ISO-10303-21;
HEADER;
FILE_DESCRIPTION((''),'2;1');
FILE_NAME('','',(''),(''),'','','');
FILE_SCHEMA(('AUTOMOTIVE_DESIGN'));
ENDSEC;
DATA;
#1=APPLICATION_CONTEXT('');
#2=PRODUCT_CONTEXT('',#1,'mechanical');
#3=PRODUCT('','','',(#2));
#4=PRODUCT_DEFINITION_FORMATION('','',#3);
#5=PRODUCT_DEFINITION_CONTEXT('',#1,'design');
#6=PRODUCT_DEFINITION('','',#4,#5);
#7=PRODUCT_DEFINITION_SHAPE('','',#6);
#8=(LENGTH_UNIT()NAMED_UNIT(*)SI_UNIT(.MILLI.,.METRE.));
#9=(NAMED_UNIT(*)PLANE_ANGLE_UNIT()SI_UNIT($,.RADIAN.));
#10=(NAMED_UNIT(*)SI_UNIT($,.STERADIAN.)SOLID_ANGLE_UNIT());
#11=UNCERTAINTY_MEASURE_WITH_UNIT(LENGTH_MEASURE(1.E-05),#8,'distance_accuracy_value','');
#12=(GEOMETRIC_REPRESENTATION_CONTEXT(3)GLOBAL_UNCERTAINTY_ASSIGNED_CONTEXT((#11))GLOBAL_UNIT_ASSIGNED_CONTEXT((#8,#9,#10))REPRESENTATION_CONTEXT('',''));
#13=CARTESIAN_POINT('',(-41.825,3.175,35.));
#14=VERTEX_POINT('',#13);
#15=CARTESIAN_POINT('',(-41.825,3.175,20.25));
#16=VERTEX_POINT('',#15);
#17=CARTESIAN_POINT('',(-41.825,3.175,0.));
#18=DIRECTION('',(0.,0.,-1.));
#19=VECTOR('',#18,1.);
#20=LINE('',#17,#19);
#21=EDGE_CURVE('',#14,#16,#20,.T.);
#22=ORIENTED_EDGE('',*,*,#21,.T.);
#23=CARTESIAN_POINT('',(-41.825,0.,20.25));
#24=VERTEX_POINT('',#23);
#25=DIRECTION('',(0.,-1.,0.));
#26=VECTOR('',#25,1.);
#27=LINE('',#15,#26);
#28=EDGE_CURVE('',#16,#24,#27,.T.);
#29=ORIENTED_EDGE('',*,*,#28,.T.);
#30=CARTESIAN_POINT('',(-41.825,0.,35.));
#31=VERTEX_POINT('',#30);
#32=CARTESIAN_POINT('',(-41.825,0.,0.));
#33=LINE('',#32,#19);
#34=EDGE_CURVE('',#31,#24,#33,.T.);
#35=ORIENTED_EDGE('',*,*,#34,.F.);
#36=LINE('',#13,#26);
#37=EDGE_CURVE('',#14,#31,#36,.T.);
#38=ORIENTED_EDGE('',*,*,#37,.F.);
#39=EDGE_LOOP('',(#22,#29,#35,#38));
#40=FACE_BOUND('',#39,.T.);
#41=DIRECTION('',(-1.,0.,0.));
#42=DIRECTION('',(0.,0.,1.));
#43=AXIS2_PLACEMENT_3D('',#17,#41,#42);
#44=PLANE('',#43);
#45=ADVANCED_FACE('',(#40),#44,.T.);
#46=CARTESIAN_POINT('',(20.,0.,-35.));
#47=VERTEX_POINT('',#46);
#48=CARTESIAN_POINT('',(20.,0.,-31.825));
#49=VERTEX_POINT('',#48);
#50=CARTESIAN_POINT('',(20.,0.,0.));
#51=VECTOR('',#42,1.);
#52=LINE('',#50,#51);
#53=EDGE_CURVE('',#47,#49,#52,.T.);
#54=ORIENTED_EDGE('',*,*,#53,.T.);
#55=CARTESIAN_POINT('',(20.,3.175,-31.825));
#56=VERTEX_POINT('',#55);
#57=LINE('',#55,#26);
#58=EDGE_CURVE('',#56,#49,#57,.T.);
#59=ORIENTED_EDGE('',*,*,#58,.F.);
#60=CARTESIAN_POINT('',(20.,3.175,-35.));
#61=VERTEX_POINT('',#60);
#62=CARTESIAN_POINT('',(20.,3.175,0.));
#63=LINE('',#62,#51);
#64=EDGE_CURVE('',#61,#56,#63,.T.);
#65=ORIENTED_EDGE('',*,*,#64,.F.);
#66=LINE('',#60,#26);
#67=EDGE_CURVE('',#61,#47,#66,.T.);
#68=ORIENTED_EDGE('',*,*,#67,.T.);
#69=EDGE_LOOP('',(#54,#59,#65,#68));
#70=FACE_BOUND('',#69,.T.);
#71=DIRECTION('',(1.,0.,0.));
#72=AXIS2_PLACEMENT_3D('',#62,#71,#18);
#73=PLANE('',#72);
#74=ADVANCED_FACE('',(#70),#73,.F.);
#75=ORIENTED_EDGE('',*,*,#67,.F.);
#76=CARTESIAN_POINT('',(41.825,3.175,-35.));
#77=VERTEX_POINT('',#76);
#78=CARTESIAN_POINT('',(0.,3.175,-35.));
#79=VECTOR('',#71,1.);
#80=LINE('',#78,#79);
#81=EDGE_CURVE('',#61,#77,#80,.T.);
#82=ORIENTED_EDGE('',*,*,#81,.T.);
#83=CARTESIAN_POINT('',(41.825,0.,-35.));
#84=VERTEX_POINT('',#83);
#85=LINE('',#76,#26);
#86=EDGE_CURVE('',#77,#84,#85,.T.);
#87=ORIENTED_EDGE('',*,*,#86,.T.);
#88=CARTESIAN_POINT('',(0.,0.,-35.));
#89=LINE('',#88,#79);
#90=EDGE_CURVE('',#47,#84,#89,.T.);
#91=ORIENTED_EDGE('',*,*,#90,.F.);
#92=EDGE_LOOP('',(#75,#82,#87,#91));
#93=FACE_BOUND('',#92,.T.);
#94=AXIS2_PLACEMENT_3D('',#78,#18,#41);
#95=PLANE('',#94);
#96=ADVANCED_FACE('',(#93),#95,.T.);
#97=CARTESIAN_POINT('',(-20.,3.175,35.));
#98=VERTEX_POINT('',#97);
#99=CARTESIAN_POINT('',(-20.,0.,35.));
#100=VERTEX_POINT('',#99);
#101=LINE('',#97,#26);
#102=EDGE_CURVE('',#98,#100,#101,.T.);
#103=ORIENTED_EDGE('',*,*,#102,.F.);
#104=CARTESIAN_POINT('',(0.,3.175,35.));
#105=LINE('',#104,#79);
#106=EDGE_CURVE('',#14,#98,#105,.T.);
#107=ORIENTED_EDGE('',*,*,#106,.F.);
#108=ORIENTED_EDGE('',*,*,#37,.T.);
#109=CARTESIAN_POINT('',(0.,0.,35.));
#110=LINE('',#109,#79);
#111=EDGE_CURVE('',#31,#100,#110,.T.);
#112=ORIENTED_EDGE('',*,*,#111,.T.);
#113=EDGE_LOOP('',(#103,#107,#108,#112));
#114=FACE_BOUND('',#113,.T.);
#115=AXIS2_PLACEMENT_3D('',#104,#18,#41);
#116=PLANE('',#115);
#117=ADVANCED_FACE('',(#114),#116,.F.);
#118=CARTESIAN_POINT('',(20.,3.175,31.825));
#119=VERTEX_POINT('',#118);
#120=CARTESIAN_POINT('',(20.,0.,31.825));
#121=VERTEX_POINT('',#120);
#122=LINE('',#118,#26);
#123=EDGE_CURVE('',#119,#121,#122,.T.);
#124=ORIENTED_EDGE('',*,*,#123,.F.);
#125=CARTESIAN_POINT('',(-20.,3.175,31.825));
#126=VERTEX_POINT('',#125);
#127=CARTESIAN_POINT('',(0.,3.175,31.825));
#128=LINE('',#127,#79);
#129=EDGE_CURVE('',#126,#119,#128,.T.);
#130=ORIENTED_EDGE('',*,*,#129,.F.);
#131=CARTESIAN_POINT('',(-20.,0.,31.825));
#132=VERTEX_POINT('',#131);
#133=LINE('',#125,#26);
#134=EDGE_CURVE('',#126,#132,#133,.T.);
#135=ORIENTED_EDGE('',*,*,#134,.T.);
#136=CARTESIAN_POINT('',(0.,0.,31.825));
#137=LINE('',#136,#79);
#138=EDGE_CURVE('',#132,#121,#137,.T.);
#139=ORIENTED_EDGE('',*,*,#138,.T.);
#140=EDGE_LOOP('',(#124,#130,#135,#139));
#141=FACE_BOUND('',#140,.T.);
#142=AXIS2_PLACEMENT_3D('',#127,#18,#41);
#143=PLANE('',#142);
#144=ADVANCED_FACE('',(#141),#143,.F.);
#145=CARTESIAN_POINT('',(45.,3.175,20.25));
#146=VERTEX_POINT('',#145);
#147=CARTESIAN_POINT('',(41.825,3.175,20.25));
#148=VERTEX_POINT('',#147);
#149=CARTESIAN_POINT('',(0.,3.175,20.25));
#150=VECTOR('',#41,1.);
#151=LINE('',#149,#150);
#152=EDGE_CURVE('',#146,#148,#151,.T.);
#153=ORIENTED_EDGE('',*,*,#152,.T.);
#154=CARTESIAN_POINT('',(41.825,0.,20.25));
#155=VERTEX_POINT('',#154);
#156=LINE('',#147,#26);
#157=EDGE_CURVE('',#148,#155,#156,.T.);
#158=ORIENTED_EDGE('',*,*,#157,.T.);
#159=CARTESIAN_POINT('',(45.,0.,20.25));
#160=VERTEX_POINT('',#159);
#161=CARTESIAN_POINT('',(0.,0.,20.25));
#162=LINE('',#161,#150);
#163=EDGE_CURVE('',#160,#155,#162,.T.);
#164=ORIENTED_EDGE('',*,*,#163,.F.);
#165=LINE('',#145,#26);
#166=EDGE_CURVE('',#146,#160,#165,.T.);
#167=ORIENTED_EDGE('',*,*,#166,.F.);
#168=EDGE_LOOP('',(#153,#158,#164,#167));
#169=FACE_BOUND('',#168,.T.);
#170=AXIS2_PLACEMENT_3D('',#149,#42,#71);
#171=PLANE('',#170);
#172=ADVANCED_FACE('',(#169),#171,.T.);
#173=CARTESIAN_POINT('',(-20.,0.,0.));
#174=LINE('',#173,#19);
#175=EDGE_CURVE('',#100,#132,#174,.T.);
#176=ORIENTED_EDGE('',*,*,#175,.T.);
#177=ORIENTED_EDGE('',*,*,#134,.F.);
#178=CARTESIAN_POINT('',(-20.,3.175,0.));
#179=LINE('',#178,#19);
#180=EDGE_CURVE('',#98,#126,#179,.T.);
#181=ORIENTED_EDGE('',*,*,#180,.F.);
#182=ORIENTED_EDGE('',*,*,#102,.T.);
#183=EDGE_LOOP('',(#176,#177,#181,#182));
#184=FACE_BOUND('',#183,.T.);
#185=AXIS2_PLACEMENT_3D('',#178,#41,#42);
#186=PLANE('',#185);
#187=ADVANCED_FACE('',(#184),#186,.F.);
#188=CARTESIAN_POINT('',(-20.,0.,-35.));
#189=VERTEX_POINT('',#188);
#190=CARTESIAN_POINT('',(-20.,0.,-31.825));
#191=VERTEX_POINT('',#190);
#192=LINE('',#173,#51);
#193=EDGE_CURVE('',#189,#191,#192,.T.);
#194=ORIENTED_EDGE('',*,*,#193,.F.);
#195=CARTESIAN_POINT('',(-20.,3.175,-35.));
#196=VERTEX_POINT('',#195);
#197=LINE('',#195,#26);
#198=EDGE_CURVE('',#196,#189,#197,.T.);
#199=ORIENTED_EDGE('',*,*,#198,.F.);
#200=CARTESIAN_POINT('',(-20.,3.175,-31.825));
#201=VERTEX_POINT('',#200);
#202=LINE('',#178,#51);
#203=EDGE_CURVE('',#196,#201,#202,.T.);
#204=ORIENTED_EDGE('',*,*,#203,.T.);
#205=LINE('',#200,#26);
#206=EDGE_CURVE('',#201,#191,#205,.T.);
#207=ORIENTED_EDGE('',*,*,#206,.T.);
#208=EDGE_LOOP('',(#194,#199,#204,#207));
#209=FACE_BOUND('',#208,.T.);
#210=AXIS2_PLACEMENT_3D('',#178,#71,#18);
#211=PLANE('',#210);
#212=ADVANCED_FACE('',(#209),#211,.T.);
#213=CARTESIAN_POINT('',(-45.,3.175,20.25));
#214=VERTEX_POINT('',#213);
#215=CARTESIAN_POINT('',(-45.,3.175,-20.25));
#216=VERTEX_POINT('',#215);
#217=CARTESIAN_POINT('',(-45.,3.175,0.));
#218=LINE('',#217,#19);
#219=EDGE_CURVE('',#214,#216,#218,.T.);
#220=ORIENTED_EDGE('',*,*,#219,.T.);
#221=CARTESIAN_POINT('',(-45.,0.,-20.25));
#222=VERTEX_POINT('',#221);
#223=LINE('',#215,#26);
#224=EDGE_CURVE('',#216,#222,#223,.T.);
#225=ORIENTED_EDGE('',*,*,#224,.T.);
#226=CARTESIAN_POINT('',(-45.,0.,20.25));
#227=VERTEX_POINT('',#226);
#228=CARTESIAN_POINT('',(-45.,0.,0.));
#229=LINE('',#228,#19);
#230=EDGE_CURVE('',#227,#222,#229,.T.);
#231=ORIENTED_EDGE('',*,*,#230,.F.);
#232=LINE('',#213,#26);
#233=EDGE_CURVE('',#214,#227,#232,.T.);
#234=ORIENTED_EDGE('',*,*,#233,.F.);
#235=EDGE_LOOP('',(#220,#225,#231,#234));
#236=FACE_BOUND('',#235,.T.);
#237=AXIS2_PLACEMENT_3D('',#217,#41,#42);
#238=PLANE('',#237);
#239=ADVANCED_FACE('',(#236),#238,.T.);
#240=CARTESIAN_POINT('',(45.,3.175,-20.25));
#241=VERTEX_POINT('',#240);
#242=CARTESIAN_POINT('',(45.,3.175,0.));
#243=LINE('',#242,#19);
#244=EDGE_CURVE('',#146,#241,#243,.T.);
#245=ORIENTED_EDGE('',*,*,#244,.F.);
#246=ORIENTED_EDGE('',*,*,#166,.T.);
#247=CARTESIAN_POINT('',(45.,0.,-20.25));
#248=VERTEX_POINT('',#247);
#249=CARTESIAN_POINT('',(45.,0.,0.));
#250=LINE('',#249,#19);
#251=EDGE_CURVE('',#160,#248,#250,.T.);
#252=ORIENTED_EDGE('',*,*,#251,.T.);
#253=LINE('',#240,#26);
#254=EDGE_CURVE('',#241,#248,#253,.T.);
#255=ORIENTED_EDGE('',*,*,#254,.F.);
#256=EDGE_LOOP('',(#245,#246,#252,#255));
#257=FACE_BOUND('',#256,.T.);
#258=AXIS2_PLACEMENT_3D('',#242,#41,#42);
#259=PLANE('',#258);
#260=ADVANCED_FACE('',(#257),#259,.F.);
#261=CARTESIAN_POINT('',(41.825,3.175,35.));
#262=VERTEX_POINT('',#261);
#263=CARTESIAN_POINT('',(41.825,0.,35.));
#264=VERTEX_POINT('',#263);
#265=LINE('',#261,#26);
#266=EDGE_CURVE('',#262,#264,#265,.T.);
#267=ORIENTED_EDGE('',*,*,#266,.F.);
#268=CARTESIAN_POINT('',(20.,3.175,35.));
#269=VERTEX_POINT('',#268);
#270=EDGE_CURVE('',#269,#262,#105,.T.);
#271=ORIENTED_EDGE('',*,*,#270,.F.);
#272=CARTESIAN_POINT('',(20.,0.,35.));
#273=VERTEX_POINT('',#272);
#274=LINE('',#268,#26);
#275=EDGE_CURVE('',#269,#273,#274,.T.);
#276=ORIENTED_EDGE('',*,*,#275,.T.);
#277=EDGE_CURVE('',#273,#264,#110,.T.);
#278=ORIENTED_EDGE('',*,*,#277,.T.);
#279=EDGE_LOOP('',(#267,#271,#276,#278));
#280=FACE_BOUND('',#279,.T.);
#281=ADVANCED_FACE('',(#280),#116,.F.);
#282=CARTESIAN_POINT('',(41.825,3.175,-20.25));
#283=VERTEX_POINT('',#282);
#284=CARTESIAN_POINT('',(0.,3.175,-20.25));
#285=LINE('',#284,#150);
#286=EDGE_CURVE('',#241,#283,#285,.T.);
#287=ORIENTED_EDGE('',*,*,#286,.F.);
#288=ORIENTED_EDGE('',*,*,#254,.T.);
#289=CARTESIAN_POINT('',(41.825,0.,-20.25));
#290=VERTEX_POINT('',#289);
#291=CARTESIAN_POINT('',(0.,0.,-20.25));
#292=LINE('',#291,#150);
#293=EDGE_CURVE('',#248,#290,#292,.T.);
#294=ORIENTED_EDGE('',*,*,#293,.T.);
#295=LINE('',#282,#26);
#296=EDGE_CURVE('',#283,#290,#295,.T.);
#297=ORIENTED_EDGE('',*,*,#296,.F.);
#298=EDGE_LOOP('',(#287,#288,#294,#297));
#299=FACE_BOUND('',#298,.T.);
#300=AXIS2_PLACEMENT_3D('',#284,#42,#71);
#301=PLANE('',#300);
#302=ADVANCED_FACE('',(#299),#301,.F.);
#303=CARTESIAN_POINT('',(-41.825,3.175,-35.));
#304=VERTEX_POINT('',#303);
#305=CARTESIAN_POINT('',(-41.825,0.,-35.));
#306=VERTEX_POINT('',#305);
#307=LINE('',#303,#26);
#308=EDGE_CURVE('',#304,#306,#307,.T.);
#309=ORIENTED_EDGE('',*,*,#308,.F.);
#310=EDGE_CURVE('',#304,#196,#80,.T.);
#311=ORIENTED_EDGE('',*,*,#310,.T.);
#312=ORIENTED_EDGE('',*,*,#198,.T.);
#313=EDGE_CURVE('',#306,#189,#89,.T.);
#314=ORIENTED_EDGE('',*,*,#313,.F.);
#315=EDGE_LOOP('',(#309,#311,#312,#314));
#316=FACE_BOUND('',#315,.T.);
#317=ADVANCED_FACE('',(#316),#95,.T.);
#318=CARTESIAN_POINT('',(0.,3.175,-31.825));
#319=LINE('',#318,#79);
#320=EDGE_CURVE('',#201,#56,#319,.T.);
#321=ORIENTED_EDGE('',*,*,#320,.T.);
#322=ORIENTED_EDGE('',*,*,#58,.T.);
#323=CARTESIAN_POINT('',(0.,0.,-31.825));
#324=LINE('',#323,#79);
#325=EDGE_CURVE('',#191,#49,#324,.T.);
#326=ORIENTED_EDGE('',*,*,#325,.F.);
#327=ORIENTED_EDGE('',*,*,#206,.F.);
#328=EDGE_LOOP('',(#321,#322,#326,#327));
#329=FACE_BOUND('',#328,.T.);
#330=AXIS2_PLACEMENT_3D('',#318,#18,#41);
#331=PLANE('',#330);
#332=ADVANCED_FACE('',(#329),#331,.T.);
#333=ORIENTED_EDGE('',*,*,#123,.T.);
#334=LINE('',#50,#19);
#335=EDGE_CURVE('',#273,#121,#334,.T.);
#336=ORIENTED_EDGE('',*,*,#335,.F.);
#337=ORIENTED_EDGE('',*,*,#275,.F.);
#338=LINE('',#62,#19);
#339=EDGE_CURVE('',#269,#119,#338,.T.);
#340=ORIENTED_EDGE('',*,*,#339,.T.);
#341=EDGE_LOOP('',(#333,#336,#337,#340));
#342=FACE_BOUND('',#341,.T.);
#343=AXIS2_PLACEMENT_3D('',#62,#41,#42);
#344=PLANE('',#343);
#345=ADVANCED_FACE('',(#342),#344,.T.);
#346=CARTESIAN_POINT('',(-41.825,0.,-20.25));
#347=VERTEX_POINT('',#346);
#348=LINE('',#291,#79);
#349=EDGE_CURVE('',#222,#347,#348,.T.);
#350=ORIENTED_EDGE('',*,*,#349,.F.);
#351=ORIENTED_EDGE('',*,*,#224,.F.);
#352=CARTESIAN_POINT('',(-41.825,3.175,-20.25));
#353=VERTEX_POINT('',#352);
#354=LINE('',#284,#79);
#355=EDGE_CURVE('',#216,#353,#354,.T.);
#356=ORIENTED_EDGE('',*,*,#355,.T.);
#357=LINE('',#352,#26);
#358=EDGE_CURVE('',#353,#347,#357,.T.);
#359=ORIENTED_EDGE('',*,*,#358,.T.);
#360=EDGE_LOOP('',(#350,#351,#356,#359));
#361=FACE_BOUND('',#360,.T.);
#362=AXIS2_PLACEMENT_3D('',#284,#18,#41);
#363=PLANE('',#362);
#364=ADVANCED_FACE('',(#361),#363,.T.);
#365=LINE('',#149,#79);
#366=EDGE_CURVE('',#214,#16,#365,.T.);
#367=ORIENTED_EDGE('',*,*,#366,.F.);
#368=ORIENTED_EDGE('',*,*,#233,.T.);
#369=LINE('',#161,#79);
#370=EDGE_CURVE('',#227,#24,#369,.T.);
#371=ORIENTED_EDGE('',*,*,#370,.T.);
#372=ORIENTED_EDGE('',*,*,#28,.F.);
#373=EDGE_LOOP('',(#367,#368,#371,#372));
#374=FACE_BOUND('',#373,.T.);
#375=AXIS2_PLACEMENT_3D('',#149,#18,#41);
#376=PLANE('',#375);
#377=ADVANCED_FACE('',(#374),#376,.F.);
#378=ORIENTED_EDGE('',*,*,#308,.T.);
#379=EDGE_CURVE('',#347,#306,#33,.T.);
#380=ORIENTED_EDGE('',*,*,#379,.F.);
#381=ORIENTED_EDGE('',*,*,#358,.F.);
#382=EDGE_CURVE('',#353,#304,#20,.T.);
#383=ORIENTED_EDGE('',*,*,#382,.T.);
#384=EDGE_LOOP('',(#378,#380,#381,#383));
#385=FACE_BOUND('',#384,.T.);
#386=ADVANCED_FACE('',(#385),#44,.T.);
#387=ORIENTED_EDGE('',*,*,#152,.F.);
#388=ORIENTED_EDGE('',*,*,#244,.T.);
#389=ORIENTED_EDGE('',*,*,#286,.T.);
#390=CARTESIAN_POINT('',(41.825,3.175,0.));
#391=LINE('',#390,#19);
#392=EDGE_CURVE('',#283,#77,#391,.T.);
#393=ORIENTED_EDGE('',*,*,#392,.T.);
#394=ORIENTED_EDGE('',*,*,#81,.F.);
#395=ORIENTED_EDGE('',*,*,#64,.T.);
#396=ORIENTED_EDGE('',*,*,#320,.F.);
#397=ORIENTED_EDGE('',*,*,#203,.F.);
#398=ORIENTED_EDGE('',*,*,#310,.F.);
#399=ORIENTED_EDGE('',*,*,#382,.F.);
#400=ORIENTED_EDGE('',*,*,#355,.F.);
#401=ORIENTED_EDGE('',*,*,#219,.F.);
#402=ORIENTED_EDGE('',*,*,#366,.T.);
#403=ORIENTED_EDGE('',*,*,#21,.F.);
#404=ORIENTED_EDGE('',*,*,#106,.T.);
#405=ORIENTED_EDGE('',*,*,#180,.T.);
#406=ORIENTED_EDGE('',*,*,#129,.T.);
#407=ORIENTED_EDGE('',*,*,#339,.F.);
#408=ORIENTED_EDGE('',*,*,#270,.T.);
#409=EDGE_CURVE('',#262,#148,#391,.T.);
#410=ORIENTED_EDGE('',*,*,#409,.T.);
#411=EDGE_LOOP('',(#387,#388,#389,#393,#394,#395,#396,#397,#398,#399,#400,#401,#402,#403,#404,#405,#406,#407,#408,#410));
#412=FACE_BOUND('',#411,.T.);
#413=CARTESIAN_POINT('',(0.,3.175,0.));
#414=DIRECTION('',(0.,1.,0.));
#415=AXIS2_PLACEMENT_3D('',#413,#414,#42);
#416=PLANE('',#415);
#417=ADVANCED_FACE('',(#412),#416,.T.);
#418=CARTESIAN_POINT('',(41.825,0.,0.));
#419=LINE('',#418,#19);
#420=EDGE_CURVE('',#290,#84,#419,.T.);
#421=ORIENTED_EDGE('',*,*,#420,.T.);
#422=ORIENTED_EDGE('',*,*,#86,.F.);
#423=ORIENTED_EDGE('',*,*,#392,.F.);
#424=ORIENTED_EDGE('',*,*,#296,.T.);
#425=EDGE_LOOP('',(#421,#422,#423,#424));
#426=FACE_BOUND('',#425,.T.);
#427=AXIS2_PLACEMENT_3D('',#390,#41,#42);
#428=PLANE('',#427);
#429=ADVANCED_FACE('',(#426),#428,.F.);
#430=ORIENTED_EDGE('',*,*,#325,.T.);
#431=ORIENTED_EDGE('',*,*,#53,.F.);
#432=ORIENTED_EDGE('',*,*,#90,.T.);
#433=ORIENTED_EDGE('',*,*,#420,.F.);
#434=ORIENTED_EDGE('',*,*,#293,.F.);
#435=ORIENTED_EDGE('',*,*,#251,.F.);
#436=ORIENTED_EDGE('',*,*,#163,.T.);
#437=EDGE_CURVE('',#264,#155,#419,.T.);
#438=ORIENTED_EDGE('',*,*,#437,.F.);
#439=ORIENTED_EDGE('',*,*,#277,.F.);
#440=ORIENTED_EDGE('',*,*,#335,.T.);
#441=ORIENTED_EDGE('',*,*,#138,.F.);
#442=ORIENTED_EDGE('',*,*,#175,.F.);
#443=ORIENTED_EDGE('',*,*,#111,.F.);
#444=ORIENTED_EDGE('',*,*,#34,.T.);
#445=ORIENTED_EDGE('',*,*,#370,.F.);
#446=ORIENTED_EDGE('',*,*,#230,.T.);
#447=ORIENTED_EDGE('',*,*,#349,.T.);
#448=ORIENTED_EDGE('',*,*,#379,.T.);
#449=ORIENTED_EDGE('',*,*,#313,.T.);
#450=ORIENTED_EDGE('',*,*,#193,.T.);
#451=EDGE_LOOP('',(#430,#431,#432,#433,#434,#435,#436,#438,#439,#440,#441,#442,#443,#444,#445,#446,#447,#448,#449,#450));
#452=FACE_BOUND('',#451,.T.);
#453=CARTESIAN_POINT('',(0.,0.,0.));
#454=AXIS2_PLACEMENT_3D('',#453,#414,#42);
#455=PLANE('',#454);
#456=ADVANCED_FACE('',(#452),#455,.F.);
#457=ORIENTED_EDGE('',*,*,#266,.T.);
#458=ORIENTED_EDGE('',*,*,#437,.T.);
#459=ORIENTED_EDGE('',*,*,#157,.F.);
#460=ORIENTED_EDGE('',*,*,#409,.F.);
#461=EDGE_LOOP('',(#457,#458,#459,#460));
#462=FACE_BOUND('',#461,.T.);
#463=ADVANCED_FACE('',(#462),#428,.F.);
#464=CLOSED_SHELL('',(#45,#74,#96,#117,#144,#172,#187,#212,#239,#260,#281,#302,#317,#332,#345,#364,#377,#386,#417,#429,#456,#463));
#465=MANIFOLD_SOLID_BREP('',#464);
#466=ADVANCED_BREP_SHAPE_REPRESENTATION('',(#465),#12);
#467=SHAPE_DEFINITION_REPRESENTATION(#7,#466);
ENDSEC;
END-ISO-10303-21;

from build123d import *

# Parameters (mm, degrees)
SKETCH1_W           = 21.825
SKETCH1_H           = 3.175
SKETCH1_W_2         = 3.175
SKETCH1_H_2         = 40.5
BOSS_EXTRUDE1_DEPTH = 3.175


with BuildPart() as part:
    # Sketch1 → Boss-Extrude1 (new body)
    with BuildSketch(Plane(origin=(0, 0, 0), x_dir=(1, 0, 0), z_dir=(0, 1, 0))):
        Polygon((-20, 31.825), (-41.825, 31.825), (-41.825, 20.25), (-41.825, -20.25), (-41.825, -31.825), (-20, -31.825), (20, -31.825), (41.825, -31.825), (41.825, -20.25), (41.825, 20.25), (41.825, 31.825), (20, 31.825), align=None)
        with Locations((-30.9125, -33.4125)):
            Rectangle(SKETCH1_W, SKETCH1_H)
        with Locations((30.9125, -33.4125)):
            Rectangle(SKETCH1_W, SKETCH1_H)
        with Locations((43.4125, 0)):
            Rectangle(SKETCH1_W_2, SKETCH1_H_2)
        with Locations((30.9125, 33.4125)):
            Rectangle(SKETCH1_W, SKETCH1_H)
        with Locations((-30.9125, 33.4125)):
            Rectangle(SKETCH1_W, SKETCH1_H)
        with Locations((-43.4125, 0)):
            Rectangle(SKETCH1_W_2, SKETCH1_H_2)
    extrude(amount=BOSS_EXTRUDE1_DEPTH)


solid = part.part
